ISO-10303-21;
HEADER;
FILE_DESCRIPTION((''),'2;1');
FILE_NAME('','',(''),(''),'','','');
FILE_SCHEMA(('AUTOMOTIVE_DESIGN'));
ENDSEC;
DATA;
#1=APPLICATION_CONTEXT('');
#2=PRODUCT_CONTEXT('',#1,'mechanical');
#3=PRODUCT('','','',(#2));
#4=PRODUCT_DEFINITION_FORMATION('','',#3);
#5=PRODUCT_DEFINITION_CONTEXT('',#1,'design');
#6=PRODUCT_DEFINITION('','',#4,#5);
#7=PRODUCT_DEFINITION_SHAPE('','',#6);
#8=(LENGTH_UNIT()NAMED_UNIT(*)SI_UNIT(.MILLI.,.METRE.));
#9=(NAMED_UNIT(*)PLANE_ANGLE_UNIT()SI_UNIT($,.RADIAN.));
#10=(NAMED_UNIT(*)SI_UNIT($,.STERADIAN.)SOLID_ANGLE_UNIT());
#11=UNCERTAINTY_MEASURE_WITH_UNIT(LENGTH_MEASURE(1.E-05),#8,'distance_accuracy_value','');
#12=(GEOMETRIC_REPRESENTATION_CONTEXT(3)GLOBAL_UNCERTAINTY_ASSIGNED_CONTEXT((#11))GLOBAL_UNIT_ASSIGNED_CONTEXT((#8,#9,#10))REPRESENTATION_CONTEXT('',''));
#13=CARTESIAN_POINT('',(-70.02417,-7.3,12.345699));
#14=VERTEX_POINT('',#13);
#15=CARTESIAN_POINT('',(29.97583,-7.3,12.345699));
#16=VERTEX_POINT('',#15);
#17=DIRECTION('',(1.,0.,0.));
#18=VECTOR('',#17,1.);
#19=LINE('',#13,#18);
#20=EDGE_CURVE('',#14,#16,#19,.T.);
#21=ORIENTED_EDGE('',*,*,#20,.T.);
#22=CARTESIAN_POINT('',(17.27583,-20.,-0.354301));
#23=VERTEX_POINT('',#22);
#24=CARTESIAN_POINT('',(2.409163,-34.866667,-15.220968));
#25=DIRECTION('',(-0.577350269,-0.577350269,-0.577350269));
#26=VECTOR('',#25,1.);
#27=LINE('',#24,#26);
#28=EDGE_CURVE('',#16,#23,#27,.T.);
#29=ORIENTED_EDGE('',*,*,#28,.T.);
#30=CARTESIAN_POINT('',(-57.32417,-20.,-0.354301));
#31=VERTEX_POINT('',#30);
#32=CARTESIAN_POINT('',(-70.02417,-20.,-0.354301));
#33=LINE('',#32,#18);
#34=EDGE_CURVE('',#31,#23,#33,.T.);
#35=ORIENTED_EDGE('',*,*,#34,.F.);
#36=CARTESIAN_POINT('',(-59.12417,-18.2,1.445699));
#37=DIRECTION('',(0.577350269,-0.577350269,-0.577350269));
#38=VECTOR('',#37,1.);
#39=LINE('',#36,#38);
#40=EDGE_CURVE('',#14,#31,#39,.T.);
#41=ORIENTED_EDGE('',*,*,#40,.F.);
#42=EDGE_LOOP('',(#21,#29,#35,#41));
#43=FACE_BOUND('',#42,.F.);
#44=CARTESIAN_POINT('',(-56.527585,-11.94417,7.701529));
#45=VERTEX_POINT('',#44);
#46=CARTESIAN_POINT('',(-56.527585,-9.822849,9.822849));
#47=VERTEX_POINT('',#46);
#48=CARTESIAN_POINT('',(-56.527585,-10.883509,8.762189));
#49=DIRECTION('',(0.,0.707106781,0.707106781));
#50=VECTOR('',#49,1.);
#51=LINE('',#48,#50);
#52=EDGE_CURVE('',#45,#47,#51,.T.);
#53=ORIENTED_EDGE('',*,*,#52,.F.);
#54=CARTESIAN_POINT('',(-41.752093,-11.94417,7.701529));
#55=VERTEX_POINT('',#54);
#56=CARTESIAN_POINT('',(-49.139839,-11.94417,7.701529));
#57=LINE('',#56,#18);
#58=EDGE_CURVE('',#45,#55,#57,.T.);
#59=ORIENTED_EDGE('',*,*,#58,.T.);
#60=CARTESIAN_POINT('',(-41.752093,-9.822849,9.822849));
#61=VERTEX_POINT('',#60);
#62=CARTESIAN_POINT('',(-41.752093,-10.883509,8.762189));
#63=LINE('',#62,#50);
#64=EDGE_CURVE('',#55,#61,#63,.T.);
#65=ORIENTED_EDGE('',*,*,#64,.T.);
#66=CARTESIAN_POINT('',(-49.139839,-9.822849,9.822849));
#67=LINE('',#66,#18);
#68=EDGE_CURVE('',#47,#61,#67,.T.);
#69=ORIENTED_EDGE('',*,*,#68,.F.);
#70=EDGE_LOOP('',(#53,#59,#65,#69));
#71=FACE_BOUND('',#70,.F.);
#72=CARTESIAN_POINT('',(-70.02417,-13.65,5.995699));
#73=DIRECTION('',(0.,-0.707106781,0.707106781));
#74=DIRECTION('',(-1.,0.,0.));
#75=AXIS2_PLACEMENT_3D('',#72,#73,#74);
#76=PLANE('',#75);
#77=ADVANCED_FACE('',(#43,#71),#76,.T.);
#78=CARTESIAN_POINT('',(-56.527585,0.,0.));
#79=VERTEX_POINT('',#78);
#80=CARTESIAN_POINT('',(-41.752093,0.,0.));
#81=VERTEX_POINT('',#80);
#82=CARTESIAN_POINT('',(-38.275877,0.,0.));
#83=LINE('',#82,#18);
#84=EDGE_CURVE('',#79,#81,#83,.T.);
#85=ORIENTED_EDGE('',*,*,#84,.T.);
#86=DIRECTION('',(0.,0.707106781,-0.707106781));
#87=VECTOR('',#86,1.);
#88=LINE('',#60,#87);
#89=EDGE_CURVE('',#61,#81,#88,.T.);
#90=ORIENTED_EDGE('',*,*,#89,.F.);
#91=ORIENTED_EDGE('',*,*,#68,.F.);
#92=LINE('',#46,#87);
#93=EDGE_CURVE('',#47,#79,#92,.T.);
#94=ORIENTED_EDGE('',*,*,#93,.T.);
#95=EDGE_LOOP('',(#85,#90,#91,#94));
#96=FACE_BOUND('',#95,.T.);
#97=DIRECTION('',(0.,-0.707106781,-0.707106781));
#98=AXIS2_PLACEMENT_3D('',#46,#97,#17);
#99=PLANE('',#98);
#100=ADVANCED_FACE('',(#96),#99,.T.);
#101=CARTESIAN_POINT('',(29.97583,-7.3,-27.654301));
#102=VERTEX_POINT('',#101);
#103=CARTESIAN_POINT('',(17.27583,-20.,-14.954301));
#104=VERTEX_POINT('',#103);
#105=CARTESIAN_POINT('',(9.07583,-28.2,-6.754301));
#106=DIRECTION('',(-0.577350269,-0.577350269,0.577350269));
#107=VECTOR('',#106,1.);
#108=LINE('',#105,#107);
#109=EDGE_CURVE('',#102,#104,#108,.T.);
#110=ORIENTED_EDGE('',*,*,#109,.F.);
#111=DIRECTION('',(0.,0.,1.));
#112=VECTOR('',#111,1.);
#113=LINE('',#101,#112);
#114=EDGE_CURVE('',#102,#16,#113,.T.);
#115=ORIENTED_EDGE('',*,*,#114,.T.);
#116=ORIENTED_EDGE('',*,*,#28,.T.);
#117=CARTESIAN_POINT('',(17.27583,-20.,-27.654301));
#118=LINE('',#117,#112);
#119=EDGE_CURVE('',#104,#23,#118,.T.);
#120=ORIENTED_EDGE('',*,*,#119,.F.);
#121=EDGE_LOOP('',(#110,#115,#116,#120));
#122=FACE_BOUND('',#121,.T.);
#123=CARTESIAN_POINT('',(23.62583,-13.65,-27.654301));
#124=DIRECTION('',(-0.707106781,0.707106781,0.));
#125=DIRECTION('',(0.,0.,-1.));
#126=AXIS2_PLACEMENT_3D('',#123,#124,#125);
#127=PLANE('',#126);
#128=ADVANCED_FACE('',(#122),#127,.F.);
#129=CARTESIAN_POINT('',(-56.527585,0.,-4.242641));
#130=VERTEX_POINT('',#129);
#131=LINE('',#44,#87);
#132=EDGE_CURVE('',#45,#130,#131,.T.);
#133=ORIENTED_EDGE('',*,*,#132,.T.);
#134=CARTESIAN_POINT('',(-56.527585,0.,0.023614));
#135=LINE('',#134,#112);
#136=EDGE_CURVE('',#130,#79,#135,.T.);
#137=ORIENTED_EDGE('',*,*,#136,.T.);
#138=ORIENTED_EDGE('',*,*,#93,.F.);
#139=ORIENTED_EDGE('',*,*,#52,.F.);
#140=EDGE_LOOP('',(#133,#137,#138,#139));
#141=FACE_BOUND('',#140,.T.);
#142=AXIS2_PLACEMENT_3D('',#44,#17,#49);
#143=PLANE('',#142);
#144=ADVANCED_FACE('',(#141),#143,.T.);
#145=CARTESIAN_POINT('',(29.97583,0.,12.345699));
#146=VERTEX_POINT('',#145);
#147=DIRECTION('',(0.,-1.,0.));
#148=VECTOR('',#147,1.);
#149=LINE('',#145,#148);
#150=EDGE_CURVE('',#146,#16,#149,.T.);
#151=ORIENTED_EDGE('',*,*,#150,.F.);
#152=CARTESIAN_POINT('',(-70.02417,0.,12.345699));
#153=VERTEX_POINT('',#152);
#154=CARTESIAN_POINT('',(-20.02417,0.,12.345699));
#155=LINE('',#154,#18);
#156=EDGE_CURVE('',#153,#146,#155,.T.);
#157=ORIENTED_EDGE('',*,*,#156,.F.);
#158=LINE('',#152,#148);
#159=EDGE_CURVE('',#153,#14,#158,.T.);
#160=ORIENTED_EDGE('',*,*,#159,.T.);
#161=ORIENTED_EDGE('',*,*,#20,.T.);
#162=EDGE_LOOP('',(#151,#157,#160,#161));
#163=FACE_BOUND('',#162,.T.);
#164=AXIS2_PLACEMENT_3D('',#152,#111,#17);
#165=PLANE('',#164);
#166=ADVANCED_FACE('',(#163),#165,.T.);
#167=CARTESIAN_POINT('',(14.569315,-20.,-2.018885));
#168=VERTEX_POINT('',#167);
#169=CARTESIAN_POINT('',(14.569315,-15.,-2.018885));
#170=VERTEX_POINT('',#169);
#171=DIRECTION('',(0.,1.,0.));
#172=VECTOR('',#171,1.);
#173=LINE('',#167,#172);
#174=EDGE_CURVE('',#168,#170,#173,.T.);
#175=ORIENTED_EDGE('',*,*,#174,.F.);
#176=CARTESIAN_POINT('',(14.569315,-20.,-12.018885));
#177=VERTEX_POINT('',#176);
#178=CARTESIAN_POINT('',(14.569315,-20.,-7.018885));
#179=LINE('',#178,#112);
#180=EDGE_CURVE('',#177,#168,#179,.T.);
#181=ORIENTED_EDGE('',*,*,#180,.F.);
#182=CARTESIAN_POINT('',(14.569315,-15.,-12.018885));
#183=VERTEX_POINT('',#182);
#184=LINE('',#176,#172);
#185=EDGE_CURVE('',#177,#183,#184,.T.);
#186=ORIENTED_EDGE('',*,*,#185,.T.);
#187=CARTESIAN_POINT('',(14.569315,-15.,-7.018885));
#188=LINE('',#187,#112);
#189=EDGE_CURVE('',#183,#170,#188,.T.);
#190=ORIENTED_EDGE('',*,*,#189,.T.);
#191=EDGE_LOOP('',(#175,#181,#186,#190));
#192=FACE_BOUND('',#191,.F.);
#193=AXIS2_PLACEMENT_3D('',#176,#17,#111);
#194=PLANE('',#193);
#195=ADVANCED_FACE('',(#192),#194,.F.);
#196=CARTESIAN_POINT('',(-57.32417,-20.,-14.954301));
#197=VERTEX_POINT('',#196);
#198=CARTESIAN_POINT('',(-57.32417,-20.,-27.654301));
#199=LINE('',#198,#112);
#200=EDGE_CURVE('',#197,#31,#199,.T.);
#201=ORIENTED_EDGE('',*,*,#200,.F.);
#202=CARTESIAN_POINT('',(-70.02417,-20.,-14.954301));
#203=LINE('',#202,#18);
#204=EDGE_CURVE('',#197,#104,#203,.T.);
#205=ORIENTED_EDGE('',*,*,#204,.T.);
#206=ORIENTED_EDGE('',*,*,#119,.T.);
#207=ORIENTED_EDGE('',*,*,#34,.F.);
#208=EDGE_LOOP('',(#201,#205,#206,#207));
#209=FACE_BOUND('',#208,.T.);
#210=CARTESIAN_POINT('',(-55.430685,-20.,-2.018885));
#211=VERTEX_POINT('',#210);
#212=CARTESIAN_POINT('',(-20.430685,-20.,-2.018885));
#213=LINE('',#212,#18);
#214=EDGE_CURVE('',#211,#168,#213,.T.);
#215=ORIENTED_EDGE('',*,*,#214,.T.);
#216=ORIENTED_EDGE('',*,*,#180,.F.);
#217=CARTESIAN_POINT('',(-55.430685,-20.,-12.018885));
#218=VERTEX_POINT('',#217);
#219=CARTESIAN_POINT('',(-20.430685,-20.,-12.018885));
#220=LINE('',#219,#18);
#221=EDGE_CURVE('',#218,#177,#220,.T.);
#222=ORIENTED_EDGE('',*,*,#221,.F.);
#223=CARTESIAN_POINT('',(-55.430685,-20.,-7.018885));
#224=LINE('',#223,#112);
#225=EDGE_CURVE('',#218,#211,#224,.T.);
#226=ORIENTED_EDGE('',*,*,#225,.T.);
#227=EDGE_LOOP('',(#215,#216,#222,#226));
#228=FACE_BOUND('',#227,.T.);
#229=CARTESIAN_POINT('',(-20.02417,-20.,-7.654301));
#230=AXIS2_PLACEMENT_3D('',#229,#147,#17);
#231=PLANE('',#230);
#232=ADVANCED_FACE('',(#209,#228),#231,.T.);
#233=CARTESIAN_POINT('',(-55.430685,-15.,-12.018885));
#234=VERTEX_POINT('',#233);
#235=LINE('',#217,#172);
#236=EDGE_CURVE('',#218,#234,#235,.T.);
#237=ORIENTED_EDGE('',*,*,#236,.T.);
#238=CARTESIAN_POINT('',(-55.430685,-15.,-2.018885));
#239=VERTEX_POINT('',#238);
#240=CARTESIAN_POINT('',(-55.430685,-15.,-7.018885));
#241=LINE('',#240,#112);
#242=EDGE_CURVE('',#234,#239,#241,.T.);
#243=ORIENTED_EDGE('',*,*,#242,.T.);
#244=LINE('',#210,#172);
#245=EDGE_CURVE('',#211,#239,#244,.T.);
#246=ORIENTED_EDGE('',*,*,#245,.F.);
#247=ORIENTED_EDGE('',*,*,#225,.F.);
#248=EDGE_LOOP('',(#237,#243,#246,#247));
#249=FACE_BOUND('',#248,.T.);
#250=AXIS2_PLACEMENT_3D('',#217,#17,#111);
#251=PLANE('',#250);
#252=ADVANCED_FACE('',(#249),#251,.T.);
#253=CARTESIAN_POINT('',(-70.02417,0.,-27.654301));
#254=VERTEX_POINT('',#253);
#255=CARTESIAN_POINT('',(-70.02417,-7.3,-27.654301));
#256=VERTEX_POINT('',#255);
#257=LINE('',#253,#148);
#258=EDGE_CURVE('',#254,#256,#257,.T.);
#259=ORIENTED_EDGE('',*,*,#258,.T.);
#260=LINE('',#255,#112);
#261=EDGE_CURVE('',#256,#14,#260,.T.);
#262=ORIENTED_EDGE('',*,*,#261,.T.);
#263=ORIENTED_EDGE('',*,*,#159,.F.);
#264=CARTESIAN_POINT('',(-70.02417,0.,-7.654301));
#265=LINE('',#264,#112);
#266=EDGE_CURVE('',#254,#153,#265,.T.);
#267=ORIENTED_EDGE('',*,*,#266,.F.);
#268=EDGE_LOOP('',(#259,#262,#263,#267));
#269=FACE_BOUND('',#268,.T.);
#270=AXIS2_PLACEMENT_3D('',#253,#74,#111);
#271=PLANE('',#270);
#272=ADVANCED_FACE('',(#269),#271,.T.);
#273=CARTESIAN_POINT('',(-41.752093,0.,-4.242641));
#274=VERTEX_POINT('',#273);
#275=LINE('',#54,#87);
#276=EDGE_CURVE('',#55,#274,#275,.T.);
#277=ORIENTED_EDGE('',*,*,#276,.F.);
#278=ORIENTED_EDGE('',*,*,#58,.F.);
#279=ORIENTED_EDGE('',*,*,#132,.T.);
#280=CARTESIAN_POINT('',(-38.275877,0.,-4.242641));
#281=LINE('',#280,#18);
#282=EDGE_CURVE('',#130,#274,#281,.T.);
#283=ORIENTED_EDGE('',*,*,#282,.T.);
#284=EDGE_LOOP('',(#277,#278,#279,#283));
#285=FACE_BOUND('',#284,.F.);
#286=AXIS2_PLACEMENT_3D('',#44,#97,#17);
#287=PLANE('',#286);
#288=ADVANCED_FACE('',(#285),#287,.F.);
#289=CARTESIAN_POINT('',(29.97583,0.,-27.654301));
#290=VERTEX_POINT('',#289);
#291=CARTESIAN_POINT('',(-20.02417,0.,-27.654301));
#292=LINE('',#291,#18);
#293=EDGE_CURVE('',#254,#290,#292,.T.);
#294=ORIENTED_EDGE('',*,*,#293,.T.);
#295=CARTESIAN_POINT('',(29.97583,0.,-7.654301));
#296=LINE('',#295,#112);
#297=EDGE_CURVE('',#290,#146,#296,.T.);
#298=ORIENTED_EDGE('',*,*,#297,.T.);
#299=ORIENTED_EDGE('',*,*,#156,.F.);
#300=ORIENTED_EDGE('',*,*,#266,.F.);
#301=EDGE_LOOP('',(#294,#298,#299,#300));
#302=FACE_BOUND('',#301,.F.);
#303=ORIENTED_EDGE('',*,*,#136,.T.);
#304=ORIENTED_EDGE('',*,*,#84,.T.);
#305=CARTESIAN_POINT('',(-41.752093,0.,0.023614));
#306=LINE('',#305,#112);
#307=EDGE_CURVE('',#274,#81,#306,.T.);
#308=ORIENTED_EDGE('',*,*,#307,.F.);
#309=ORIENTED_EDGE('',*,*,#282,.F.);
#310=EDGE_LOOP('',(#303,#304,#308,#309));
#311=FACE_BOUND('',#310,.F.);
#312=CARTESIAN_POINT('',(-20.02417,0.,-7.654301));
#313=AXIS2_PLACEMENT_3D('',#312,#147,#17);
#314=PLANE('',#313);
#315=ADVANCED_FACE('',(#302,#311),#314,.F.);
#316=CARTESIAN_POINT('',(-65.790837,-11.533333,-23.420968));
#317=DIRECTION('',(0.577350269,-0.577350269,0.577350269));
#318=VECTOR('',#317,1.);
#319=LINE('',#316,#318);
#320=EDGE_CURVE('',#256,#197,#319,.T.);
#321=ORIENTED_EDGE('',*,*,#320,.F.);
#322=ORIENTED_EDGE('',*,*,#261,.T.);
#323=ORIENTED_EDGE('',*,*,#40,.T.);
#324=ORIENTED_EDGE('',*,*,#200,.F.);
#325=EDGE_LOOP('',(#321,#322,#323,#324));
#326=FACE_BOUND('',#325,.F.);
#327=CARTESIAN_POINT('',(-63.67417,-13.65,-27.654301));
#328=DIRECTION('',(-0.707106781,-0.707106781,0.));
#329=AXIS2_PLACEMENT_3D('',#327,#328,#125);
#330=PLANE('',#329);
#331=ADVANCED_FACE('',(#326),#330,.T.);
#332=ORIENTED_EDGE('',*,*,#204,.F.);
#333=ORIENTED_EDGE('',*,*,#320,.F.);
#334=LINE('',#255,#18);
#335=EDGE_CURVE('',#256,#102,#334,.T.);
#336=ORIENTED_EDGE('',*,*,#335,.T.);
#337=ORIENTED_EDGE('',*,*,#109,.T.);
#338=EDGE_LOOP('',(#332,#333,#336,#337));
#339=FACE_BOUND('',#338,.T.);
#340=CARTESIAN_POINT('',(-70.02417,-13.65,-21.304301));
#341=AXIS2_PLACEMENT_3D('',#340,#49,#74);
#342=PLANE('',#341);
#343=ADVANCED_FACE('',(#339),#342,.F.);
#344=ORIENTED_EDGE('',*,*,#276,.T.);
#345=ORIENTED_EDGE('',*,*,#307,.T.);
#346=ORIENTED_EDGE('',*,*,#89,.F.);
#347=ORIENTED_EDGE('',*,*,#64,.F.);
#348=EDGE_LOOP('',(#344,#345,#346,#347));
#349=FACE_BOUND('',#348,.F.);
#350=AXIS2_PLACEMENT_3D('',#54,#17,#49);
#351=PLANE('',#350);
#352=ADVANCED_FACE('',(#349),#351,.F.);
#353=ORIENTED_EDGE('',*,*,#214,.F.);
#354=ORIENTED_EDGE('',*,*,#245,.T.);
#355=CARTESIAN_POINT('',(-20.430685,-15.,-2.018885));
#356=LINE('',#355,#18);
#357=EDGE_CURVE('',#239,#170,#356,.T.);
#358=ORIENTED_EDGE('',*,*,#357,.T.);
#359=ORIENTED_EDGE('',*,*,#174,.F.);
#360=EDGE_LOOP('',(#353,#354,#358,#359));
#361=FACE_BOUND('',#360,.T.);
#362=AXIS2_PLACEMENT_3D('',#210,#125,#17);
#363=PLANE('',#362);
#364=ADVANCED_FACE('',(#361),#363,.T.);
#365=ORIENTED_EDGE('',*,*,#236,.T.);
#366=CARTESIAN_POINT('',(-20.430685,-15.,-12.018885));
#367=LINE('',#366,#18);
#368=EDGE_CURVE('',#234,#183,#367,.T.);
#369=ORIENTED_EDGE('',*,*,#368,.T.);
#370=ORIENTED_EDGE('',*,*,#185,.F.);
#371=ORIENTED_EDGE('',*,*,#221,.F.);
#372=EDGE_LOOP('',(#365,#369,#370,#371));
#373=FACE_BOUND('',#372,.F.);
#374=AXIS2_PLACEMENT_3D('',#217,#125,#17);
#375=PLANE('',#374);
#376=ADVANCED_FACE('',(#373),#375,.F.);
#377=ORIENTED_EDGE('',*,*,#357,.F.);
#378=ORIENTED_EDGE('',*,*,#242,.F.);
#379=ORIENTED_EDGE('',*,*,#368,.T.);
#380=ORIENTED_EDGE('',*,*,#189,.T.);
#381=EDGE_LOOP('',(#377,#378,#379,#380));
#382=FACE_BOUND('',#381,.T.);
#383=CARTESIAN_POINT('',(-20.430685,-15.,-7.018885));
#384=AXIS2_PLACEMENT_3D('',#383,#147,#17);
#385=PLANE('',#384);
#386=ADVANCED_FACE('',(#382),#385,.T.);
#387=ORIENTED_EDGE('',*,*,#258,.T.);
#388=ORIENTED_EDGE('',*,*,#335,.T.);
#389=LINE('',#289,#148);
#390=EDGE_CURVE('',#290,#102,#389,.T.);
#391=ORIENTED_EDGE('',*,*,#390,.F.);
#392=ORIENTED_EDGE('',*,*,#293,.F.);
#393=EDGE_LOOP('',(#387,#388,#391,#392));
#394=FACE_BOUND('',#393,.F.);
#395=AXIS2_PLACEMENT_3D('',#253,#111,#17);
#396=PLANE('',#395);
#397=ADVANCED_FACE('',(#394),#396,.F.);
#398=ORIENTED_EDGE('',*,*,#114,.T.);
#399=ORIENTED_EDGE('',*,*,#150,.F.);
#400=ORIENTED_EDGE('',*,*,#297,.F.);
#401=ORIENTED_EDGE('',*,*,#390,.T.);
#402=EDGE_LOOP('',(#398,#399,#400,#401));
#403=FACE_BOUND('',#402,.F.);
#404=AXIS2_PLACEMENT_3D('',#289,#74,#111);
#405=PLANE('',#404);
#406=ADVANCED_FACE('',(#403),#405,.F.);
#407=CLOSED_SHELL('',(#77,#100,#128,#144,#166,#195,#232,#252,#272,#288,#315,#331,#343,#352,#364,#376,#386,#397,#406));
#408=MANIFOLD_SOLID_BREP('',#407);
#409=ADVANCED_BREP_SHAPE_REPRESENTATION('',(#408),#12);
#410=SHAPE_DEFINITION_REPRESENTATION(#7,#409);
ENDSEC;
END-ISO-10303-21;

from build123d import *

# Parameters (mm, degrees)
F0_W     = 100
F0_H     = 40
F1_DEPTH = 20
F2_SIZE  = 12.7
F3_W     = 14.7754922509
F3_H     = 3
F4_DEPTH = 25
F5_W     = 70
F5_H     = 10
F6_DEPTH = 5


with BuildPart() as f1:
    # F0 (on Front) → F1 (new body)
    with BuildSketch(Plane.XZ):
        with Locations((-20.0241699815, -7.6543013752)):
            Rectangle(F0_W, F0_H)
    extrude(amount=F1_DEPTH)

    # F2
    f2_edges = [f1.edges().sort_by_distance(p)[0] for p in [
        (-70.02417, -20, -7.654301),
        (29.97583, -20, -7.654301),
        (-20.02417, -20, -27.654301),
        (-20.02417, -20, 12.345699),
    ]]
    chamfer(f2_edges, length=F2_SIZE)

    # F3 (on face) → F4 (cut)
    with BuildSketch(Plane(origin=(0, -9.8228493124, 9.8228493124), x_dir=(1, 0, 0), z_dir=(0, -0.7071067812, 0.7071067812))):
        with Locations((-49.1398386657, -1.5)):
            Rectangle(F3_W, F3_H)
    extrude(amount=-F4_DEPTH, mode=Mode.SUBTRACT)

    # F5 (on face) → F6 (cut)
    with BuildSketch(Plane.XZ.offset(20)):
        with Locations((-20.430685021, -7.0188848879)):
            Rectangle(F5_W, F5_H)
    extrude(amount=-F6_DEPTH, mode=Mode.SUBTRACT)


solid = f1.part
